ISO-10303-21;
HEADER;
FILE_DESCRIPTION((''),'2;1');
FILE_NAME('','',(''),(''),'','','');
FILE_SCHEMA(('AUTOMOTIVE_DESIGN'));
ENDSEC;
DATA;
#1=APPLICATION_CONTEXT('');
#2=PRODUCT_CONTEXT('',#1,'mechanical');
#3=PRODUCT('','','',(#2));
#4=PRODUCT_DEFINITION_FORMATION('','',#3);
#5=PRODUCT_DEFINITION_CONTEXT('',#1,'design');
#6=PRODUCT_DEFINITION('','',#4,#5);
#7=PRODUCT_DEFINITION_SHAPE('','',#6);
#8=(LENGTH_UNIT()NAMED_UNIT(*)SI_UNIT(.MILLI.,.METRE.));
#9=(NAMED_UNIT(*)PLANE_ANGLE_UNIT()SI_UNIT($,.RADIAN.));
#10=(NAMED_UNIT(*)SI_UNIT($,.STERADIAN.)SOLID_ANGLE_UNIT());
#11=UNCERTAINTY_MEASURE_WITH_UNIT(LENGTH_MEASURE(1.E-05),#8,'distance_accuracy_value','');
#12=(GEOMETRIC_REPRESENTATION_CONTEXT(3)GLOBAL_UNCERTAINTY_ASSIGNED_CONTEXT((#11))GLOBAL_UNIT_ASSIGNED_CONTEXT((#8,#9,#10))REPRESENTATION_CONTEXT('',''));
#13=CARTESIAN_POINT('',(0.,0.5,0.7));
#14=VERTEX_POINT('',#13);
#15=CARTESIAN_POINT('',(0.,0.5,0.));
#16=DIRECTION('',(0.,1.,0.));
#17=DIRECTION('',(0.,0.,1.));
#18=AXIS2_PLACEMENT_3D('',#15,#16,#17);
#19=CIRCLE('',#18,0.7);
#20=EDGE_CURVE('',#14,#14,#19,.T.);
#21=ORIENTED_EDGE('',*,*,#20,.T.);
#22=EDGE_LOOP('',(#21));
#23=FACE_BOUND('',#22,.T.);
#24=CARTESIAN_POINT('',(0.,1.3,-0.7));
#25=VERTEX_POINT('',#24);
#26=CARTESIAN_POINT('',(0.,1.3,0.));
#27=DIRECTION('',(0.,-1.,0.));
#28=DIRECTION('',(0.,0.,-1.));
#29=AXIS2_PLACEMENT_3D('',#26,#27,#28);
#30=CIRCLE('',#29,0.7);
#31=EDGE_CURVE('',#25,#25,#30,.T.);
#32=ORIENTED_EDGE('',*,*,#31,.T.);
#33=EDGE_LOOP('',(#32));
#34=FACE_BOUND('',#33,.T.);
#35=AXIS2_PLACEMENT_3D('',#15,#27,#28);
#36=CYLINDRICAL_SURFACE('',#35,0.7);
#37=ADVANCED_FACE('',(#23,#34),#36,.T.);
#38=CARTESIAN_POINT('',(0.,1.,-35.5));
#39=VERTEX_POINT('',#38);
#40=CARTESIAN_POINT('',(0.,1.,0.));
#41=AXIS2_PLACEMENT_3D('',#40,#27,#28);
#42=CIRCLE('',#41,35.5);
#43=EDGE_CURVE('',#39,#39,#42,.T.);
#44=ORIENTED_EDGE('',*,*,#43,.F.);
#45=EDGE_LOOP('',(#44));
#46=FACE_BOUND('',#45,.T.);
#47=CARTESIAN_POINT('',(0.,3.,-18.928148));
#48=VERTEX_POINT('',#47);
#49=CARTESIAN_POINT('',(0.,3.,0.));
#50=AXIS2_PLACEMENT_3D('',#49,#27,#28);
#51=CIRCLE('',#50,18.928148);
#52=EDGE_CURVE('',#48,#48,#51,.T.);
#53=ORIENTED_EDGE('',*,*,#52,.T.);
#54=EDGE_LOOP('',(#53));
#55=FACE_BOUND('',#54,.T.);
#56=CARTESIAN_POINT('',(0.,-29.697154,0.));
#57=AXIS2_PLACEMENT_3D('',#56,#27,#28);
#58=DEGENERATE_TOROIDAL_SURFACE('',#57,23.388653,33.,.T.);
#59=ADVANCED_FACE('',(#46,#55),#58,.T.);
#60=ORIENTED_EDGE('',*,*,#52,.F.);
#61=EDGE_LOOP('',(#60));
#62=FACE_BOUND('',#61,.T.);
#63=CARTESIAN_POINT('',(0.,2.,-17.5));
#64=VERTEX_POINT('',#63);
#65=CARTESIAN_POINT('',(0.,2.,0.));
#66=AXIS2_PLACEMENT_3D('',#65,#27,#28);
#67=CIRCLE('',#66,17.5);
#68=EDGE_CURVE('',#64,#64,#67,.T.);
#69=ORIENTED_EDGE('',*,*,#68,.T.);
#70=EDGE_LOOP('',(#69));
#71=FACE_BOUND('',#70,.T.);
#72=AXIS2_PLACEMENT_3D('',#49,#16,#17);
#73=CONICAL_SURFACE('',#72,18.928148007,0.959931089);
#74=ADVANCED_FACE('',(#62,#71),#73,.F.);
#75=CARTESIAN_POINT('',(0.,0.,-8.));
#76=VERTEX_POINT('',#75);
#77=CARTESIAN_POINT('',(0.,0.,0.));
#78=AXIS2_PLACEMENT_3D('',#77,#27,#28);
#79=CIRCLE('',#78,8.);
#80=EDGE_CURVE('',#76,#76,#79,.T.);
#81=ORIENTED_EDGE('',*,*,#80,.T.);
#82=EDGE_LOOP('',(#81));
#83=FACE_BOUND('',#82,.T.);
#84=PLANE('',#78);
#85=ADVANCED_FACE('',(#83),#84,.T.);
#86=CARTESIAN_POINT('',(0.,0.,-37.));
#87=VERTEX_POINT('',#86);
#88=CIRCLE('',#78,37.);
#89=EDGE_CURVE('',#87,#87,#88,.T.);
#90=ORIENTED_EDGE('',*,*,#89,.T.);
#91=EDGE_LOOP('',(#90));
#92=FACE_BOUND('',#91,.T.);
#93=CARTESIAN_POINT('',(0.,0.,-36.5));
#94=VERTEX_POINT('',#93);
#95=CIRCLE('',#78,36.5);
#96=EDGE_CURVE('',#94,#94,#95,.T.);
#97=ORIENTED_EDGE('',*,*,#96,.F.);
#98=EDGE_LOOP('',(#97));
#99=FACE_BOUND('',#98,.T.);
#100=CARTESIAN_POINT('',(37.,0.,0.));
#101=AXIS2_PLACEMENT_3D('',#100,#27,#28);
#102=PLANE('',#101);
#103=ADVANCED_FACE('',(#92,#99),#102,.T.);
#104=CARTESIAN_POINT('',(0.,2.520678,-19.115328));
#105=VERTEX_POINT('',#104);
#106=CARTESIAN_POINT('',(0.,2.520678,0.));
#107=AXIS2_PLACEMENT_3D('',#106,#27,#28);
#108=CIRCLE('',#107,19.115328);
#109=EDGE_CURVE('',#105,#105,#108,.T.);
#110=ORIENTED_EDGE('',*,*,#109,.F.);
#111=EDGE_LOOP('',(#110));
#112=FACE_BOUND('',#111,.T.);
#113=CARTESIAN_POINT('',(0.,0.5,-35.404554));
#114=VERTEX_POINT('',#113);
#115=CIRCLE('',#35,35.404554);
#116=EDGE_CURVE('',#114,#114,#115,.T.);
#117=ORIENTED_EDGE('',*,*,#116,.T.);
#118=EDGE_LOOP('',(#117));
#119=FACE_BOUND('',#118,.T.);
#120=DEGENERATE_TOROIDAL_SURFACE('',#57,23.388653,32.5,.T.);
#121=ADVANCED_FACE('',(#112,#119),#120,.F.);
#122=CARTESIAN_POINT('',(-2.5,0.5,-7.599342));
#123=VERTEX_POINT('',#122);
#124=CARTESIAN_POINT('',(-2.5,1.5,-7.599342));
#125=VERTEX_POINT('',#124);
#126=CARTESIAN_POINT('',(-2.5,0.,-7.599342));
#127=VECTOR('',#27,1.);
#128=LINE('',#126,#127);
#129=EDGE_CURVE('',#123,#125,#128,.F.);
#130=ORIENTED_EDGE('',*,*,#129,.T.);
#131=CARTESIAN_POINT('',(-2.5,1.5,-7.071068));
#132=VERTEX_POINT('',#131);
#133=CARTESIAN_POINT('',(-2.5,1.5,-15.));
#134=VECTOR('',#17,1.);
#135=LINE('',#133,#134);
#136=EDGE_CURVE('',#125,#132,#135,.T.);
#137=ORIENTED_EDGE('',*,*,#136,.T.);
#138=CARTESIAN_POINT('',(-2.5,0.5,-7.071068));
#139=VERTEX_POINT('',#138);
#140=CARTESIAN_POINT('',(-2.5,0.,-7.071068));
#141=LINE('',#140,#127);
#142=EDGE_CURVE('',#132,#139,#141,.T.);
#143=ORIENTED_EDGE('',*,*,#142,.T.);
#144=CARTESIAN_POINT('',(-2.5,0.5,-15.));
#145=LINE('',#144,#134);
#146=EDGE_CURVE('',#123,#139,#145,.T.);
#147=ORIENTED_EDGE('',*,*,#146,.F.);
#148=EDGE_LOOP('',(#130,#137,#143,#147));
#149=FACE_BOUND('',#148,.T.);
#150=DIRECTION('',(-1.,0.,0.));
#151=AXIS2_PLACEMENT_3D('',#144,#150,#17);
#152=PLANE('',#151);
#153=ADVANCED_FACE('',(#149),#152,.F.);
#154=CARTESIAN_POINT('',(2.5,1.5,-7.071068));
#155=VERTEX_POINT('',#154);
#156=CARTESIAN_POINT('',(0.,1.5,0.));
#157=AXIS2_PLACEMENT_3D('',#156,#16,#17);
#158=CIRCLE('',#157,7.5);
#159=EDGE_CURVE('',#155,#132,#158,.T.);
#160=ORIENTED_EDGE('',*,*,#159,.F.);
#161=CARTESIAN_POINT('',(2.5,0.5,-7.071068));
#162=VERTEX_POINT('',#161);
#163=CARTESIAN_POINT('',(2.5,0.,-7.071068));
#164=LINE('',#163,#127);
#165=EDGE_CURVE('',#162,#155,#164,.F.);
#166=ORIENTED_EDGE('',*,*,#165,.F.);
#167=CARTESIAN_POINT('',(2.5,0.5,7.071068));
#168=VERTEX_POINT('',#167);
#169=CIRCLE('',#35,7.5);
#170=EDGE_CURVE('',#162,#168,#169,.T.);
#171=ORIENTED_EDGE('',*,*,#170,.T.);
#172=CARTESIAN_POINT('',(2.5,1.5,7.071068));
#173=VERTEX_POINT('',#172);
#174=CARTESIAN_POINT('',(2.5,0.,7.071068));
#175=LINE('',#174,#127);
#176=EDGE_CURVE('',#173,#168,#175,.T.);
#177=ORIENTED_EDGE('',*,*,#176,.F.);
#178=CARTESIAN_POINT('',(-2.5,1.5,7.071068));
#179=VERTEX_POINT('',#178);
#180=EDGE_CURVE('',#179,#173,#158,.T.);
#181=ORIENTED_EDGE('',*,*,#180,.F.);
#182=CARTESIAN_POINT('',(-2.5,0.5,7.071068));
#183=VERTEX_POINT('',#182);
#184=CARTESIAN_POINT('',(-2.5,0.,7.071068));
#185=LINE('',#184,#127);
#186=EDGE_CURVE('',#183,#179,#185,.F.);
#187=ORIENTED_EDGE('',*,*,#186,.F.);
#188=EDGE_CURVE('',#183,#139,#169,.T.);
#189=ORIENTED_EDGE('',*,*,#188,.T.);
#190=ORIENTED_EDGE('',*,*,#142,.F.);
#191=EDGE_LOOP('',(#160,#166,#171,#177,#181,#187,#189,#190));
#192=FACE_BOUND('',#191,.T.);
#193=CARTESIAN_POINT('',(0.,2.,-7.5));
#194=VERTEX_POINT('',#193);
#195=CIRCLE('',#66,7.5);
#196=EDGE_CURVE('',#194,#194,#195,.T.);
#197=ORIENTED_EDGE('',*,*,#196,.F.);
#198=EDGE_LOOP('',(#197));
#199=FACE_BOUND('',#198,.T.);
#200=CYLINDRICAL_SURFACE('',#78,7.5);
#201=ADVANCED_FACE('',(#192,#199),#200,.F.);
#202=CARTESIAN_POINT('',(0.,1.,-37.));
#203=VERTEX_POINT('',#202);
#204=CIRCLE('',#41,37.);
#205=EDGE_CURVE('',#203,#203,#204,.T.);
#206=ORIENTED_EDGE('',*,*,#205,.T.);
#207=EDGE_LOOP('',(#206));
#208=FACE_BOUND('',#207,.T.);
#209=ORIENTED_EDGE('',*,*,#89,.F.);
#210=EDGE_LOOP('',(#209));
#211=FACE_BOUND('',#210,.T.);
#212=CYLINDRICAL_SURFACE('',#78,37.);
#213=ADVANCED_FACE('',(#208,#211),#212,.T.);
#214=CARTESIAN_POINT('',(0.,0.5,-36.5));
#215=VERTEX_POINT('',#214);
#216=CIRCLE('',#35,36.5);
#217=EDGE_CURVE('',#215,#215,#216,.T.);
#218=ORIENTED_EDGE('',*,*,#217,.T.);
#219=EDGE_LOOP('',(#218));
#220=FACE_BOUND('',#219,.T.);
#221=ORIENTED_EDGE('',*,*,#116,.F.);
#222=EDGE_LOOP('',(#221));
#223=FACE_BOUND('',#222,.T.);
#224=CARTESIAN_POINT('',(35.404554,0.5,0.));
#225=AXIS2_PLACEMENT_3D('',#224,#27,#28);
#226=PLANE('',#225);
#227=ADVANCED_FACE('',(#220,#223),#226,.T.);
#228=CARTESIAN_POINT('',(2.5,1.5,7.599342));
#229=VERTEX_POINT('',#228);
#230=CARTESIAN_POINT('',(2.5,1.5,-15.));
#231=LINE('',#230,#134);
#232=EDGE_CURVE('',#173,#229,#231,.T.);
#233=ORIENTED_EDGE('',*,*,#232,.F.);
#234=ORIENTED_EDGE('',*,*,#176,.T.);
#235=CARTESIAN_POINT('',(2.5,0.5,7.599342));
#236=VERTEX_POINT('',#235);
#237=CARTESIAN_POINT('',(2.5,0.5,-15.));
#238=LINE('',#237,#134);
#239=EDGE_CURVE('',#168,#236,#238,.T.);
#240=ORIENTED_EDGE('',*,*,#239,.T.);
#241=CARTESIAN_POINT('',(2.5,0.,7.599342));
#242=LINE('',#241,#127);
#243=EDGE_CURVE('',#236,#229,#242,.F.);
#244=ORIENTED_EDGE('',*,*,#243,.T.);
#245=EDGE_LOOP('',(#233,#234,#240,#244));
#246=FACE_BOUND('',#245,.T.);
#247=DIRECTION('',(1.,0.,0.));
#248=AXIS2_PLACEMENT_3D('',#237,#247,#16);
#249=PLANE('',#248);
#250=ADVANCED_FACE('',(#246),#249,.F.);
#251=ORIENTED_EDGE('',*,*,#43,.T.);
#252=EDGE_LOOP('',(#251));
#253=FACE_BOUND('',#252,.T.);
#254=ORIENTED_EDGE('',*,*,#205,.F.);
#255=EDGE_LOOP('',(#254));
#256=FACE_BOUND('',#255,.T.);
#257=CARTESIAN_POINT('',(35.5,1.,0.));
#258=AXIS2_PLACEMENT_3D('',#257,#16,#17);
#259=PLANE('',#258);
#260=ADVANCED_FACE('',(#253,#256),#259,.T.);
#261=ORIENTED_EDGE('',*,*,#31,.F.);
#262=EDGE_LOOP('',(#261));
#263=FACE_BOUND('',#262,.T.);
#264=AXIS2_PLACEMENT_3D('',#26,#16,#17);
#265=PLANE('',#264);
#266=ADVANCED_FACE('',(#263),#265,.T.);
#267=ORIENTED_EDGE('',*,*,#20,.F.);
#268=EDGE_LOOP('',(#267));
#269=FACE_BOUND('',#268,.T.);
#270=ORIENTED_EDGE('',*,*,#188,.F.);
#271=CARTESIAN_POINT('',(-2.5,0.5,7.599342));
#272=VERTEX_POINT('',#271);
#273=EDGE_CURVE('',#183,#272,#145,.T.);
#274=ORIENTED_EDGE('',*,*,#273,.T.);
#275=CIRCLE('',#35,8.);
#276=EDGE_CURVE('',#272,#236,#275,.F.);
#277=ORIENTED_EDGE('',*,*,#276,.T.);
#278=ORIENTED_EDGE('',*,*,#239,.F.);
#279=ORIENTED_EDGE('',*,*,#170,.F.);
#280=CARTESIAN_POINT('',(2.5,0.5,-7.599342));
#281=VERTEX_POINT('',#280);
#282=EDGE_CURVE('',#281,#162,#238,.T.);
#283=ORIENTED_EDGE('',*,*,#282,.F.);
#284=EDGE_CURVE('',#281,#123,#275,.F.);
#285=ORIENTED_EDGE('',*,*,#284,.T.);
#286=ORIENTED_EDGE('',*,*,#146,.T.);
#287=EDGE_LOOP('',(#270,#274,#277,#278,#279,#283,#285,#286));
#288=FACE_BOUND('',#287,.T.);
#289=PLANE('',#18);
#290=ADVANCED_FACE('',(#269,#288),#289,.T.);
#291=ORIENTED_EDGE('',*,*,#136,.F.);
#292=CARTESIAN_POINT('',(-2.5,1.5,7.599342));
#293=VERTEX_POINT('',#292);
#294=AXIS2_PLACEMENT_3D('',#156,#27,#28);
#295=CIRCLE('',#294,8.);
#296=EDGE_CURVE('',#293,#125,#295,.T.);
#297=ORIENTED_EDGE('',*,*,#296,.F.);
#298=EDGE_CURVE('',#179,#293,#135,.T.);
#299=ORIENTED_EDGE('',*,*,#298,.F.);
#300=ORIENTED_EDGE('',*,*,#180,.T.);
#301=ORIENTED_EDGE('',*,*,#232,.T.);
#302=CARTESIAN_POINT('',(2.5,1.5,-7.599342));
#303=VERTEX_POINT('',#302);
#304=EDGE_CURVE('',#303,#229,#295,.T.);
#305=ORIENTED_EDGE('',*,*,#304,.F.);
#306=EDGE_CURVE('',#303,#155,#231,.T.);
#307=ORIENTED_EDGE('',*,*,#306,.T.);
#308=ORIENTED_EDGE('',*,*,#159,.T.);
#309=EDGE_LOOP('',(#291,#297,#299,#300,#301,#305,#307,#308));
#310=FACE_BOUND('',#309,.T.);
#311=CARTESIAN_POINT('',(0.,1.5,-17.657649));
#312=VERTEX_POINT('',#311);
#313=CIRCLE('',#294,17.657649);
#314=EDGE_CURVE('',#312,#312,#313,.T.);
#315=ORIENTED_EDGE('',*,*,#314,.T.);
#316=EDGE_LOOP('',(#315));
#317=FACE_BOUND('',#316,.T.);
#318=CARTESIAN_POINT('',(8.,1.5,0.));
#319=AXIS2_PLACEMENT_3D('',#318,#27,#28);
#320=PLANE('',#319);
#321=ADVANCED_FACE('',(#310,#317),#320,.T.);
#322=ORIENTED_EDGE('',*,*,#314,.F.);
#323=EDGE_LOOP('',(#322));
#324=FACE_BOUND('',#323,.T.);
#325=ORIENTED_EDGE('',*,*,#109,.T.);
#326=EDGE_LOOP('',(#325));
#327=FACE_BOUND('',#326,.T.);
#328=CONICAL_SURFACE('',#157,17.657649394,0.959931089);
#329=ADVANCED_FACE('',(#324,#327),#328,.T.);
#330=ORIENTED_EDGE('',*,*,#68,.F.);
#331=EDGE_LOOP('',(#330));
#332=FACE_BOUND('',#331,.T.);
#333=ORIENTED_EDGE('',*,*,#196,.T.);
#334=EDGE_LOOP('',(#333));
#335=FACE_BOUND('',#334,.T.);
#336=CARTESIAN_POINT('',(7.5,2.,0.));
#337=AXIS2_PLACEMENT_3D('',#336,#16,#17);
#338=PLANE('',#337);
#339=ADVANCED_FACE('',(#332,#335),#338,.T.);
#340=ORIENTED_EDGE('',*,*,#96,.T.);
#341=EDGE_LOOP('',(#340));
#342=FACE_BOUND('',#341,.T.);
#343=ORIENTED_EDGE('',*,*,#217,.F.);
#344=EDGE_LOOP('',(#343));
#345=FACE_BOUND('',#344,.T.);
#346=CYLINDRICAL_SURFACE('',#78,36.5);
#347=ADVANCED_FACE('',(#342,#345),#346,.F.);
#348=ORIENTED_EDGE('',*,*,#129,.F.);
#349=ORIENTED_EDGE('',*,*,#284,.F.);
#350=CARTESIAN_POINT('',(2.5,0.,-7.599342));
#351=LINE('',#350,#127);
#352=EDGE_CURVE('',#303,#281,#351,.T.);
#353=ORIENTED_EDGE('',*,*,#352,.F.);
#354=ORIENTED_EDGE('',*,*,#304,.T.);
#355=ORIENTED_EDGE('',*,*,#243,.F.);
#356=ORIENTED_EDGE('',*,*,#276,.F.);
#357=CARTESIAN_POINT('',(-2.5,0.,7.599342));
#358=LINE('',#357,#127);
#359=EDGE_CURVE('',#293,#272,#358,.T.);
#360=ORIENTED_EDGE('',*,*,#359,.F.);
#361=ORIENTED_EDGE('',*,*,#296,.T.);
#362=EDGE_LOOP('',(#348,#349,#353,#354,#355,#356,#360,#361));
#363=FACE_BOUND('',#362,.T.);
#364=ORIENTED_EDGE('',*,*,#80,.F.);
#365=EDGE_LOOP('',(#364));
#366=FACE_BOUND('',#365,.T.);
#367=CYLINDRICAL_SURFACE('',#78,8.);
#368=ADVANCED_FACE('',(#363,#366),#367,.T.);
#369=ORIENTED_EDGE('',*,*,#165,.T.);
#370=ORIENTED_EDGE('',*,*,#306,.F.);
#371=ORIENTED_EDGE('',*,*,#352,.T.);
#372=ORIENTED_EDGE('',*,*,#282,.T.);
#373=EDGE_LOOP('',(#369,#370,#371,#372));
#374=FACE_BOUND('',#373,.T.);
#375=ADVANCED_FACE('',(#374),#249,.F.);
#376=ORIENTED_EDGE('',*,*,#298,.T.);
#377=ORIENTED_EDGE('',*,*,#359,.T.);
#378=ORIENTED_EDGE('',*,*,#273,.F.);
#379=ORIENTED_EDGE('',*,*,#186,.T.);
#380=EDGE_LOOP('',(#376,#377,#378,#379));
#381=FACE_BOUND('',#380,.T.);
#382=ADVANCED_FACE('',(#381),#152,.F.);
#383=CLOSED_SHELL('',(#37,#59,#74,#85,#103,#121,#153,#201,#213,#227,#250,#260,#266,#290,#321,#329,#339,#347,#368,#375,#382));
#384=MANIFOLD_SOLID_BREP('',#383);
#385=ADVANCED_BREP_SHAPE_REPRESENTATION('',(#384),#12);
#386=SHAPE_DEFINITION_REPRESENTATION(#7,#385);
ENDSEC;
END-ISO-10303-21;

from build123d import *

# Parameters (mm, degrees)
SKETCH2_W          = 5
SKETCH2_H          = 1
CUT_EXTRUDE1_DEPTH = 15
SKETCH3_W          = 0.7
SKETCH3_H          = 0.8


with BuildPart() as part:
    # Sketch1 → Revolve1 (revolve)
    with BuildSketch(Plane.XY, mode=Mode.PRIVATE) as revolve1_sk:
        with BuildLine():
            Line((0, 0.5), (7.5, 0.5))
            Line((7.5, 0.5), (7.5, 2))
            Line((7.5, 2), (17.5, 2))
            Line((17.5, 2), (18.928148007, 3))
            ThreePointArc((18.928148007, 3), (27.342618843, 3.065113029), (35.5, 1))
            Line((35.5, 1), (37, 1))
            Line((37, 1), (37, 0))
            Line((37, 0), (36.5, 0))
            Line((36.5, 0), (36.5, 0.5))
            Line((36.5, 0.5), (35.404554146, 0.5))
            ThreePointArc((35.404554146, 0.5), (27.389609996, 2.555633943), (19.115328234, 2.520677712))
            Line((19.115328234, 2.520677712), (17.657649394, 1.5))
            Line((17.657649394, 1.5), (8, 1.5))
            Line((8, 1.5), (8, 0))
            Line((8, 0), (0, 0))
            Line((0, 0), (0, 0.5))
        make_face()
    revolve(revolve1_sk.sketch.rotate(Axis((0, 0, 0), (0, 1, 0)), 90), axis=Axis((0, 0, 0), (0, 1, 0)))

    # Sketch2 → Cut-Extrude1 (cut, symmetric)
    with BuildSketch(Plane.XY):
        with Locations((0, 1)):
            Rectangle(SKETCH2_W, SKETCH2_H)
    extrude(amount=CUT_EXTRUDE1_DEPTH, both=True, mode=Mode.SUBTRACT)

    # Sketch3 → Revolve2 (revolve)
    with BuildSketch(Plane.XY, mode=Mode.PRIVATE) as revolve2_sk:
        with Locations((0.35, 0.9)):
            Rectangle(SKETCH3_W, SKETCH3_H)
    revolve(revolve2_sk.sketch.rotate(Axis((0, 0.5, 0), (0, 1, 0)), 90), axis=Axis((0, 0.5, 0), (0, 1, 0)))


solid = part.part
